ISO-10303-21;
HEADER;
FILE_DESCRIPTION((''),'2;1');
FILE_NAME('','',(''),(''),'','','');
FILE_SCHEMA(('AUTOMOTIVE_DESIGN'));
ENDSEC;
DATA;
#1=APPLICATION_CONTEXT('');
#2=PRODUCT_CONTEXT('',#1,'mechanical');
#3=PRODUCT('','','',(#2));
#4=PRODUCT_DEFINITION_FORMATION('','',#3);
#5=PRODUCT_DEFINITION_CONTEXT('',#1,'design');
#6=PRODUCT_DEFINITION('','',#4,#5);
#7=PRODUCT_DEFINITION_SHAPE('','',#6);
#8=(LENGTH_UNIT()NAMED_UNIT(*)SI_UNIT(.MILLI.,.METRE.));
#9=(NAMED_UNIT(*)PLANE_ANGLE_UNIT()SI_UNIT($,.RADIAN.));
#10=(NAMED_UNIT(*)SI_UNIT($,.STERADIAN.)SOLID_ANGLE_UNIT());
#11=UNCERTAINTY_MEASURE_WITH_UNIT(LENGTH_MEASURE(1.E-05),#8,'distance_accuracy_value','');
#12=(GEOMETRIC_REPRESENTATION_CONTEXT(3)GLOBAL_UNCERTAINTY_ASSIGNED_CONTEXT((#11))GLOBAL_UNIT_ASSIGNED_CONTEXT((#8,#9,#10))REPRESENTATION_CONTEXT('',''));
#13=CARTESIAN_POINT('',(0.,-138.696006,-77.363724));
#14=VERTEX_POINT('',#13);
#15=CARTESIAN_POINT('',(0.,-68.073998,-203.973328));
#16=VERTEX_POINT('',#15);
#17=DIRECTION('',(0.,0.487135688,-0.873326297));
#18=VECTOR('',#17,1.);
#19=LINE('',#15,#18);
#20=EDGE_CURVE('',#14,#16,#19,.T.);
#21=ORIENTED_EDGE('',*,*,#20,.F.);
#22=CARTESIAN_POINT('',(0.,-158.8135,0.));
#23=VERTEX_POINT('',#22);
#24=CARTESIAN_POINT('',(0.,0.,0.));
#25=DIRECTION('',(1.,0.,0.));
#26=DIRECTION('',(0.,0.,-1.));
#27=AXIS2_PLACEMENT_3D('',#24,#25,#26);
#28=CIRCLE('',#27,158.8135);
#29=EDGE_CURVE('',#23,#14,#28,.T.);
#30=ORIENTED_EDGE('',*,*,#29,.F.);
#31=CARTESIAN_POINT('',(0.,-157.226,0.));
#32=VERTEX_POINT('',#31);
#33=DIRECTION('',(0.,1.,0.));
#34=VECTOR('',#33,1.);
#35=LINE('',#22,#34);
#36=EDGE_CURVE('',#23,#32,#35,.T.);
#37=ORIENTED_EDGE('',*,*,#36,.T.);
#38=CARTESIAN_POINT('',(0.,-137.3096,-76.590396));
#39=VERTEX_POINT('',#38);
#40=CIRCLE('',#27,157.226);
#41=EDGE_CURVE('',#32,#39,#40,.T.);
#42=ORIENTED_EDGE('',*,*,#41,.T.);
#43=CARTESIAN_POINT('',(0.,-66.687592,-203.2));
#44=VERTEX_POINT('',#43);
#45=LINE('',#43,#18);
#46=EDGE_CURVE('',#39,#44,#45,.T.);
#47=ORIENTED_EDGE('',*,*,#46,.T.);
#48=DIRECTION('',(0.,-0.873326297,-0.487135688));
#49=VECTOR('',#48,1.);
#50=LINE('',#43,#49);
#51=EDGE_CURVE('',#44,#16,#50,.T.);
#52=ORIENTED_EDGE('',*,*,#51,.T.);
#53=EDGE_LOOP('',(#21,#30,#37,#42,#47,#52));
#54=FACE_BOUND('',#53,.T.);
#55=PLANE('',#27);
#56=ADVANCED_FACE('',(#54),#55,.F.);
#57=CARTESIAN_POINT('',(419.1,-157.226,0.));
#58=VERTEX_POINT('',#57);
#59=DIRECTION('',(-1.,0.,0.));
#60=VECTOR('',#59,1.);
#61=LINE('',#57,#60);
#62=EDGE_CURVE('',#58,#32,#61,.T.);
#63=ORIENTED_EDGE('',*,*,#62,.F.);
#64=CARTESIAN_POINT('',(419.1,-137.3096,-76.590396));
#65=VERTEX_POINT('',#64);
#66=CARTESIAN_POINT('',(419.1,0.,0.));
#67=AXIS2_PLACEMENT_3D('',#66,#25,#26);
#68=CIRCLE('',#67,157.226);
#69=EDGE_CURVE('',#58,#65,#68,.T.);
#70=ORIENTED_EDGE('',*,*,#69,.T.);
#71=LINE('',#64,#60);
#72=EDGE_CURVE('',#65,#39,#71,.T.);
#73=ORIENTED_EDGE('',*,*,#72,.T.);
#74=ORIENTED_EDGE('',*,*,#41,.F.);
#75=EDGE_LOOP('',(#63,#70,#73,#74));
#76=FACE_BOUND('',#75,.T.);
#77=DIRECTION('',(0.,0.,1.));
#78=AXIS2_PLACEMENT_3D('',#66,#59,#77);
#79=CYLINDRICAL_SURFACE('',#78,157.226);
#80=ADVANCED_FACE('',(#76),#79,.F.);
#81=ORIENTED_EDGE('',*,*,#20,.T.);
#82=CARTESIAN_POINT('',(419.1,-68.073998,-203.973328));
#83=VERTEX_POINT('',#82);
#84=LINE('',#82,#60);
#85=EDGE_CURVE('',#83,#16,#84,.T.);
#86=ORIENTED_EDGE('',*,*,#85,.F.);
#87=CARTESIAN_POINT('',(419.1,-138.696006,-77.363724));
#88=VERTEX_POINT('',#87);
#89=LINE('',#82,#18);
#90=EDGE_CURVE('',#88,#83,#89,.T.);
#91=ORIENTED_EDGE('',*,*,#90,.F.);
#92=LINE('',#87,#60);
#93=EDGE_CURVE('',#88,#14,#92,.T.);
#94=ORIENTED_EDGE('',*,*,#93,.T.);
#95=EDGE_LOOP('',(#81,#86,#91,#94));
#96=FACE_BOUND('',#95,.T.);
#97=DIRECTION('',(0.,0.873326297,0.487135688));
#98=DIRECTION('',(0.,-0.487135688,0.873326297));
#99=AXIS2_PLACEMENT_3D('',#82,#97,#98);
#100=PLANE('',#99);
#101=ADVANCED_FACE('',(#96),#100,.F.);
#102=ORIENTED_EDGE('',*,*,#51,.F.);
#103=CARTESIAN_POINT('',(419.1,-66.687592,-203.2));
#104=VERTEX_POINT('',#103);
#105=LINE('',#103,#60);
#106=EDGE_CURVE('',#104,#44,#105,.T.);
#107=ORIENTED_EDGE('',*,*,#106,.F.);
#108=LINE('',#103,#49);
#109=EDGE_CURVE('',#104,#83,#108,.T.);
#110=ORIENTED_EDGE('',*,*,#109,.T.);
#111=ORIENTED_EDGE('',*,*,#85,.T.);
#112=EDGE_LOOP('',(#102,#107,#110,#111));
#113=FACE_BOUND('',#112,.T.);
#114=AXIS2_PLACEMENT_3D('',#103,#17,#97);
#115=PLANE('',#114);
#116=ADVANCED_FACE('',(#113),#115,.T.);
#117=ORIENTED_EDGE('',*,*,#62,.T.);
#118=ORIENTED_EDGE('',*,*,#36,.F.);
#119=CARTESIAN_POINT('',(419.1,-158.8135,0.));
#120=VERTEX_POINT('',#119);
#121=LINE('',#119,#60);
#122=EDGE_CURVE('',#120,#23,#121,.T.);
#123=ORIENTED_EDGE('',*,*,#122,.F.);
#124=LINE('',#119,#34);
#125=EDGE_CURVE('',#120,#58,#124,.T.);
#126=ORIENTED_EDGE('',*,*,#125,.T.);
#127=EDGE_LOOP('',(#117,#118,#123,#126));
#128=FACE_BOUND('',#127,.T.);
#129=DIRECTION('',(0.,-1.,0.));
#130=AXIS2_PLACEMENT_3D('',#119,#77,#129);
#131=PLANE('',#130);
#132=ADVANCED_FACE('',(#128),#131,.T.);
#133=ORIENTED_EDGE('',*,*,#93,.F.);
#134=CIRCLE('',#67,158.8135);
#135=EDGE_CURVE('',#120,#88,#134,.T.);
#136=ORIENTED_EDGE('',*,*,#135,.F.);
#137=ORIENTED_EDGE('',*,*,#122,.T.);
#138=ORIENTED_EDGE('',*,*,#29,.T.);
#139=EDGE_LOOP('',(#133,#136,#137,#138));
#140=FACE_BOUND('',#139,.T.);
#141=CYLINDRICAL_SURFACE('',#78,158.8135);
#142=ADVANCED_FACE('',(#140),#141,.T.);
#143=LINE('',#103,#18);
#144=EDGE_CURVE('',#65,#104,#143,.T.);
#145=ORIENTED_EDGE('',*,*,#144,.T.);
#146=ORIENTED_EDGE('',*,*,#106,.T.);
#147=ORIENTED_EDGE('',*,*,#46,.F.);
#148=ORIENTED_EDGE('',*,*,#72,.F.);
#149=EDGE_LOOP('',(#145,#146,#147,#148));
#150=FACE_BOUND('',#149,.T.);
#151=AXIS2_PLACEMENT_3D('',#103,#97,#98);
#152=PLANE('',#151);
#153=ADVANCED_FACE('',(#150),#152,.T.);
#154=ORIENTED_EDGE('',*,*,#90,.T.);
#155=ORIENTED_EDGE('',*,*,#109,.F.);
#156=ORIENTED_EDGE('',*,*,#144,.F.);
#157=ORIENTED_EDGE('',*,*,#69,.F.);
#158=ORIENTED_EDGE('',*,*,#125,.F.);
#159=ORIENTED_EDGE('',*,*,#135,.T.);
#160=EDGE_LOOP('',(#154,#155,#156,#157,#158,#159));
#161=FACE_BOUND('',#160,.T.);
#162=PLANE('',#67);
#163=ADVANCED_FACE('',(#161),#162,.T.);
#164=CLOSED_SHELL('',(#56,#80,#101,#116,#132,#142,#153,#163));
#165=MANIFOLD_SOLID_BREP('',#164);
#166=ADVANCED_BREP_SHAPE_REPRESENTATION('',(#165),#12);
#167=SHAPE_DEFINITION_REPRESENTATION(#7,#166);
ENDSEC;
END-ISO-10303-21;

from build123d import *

# Parameters (mm, degrees)
EXTRUDE_THIN1_DEPTH = 419.1


with BuildPart() as part:
    # Sketch1 → Extrude-Thin1 (new body)
    with BuildSketch(Plane(origin=(0, 0, 0), x_dir=(0, 0, -1), z_dir=(1, 0, 0))):
        with BuildLine():
            Line((203.2, -66.687592446), (76.590395696, -137.309600404))
            ThreePointArc((76.590395696, -137.309600404), (39.568774576, -152.165459795), (0, -157.226))
            Line((0, -157.226), (0, -158.8135))
            ThreePointArc((0, -158.8135), (39.968297744, -153.701863872), (77.3637236, -138.696005901))
            Line((77.3637236, -138.696005901), (203.973327905, -68.073997943))
            Line((203.973327905, -68.073997943), (203.2, -66.687592446))
        make_face()
    extrude(amount=EXTRUDE_THIN1_DEPTH)


solid = part.part
